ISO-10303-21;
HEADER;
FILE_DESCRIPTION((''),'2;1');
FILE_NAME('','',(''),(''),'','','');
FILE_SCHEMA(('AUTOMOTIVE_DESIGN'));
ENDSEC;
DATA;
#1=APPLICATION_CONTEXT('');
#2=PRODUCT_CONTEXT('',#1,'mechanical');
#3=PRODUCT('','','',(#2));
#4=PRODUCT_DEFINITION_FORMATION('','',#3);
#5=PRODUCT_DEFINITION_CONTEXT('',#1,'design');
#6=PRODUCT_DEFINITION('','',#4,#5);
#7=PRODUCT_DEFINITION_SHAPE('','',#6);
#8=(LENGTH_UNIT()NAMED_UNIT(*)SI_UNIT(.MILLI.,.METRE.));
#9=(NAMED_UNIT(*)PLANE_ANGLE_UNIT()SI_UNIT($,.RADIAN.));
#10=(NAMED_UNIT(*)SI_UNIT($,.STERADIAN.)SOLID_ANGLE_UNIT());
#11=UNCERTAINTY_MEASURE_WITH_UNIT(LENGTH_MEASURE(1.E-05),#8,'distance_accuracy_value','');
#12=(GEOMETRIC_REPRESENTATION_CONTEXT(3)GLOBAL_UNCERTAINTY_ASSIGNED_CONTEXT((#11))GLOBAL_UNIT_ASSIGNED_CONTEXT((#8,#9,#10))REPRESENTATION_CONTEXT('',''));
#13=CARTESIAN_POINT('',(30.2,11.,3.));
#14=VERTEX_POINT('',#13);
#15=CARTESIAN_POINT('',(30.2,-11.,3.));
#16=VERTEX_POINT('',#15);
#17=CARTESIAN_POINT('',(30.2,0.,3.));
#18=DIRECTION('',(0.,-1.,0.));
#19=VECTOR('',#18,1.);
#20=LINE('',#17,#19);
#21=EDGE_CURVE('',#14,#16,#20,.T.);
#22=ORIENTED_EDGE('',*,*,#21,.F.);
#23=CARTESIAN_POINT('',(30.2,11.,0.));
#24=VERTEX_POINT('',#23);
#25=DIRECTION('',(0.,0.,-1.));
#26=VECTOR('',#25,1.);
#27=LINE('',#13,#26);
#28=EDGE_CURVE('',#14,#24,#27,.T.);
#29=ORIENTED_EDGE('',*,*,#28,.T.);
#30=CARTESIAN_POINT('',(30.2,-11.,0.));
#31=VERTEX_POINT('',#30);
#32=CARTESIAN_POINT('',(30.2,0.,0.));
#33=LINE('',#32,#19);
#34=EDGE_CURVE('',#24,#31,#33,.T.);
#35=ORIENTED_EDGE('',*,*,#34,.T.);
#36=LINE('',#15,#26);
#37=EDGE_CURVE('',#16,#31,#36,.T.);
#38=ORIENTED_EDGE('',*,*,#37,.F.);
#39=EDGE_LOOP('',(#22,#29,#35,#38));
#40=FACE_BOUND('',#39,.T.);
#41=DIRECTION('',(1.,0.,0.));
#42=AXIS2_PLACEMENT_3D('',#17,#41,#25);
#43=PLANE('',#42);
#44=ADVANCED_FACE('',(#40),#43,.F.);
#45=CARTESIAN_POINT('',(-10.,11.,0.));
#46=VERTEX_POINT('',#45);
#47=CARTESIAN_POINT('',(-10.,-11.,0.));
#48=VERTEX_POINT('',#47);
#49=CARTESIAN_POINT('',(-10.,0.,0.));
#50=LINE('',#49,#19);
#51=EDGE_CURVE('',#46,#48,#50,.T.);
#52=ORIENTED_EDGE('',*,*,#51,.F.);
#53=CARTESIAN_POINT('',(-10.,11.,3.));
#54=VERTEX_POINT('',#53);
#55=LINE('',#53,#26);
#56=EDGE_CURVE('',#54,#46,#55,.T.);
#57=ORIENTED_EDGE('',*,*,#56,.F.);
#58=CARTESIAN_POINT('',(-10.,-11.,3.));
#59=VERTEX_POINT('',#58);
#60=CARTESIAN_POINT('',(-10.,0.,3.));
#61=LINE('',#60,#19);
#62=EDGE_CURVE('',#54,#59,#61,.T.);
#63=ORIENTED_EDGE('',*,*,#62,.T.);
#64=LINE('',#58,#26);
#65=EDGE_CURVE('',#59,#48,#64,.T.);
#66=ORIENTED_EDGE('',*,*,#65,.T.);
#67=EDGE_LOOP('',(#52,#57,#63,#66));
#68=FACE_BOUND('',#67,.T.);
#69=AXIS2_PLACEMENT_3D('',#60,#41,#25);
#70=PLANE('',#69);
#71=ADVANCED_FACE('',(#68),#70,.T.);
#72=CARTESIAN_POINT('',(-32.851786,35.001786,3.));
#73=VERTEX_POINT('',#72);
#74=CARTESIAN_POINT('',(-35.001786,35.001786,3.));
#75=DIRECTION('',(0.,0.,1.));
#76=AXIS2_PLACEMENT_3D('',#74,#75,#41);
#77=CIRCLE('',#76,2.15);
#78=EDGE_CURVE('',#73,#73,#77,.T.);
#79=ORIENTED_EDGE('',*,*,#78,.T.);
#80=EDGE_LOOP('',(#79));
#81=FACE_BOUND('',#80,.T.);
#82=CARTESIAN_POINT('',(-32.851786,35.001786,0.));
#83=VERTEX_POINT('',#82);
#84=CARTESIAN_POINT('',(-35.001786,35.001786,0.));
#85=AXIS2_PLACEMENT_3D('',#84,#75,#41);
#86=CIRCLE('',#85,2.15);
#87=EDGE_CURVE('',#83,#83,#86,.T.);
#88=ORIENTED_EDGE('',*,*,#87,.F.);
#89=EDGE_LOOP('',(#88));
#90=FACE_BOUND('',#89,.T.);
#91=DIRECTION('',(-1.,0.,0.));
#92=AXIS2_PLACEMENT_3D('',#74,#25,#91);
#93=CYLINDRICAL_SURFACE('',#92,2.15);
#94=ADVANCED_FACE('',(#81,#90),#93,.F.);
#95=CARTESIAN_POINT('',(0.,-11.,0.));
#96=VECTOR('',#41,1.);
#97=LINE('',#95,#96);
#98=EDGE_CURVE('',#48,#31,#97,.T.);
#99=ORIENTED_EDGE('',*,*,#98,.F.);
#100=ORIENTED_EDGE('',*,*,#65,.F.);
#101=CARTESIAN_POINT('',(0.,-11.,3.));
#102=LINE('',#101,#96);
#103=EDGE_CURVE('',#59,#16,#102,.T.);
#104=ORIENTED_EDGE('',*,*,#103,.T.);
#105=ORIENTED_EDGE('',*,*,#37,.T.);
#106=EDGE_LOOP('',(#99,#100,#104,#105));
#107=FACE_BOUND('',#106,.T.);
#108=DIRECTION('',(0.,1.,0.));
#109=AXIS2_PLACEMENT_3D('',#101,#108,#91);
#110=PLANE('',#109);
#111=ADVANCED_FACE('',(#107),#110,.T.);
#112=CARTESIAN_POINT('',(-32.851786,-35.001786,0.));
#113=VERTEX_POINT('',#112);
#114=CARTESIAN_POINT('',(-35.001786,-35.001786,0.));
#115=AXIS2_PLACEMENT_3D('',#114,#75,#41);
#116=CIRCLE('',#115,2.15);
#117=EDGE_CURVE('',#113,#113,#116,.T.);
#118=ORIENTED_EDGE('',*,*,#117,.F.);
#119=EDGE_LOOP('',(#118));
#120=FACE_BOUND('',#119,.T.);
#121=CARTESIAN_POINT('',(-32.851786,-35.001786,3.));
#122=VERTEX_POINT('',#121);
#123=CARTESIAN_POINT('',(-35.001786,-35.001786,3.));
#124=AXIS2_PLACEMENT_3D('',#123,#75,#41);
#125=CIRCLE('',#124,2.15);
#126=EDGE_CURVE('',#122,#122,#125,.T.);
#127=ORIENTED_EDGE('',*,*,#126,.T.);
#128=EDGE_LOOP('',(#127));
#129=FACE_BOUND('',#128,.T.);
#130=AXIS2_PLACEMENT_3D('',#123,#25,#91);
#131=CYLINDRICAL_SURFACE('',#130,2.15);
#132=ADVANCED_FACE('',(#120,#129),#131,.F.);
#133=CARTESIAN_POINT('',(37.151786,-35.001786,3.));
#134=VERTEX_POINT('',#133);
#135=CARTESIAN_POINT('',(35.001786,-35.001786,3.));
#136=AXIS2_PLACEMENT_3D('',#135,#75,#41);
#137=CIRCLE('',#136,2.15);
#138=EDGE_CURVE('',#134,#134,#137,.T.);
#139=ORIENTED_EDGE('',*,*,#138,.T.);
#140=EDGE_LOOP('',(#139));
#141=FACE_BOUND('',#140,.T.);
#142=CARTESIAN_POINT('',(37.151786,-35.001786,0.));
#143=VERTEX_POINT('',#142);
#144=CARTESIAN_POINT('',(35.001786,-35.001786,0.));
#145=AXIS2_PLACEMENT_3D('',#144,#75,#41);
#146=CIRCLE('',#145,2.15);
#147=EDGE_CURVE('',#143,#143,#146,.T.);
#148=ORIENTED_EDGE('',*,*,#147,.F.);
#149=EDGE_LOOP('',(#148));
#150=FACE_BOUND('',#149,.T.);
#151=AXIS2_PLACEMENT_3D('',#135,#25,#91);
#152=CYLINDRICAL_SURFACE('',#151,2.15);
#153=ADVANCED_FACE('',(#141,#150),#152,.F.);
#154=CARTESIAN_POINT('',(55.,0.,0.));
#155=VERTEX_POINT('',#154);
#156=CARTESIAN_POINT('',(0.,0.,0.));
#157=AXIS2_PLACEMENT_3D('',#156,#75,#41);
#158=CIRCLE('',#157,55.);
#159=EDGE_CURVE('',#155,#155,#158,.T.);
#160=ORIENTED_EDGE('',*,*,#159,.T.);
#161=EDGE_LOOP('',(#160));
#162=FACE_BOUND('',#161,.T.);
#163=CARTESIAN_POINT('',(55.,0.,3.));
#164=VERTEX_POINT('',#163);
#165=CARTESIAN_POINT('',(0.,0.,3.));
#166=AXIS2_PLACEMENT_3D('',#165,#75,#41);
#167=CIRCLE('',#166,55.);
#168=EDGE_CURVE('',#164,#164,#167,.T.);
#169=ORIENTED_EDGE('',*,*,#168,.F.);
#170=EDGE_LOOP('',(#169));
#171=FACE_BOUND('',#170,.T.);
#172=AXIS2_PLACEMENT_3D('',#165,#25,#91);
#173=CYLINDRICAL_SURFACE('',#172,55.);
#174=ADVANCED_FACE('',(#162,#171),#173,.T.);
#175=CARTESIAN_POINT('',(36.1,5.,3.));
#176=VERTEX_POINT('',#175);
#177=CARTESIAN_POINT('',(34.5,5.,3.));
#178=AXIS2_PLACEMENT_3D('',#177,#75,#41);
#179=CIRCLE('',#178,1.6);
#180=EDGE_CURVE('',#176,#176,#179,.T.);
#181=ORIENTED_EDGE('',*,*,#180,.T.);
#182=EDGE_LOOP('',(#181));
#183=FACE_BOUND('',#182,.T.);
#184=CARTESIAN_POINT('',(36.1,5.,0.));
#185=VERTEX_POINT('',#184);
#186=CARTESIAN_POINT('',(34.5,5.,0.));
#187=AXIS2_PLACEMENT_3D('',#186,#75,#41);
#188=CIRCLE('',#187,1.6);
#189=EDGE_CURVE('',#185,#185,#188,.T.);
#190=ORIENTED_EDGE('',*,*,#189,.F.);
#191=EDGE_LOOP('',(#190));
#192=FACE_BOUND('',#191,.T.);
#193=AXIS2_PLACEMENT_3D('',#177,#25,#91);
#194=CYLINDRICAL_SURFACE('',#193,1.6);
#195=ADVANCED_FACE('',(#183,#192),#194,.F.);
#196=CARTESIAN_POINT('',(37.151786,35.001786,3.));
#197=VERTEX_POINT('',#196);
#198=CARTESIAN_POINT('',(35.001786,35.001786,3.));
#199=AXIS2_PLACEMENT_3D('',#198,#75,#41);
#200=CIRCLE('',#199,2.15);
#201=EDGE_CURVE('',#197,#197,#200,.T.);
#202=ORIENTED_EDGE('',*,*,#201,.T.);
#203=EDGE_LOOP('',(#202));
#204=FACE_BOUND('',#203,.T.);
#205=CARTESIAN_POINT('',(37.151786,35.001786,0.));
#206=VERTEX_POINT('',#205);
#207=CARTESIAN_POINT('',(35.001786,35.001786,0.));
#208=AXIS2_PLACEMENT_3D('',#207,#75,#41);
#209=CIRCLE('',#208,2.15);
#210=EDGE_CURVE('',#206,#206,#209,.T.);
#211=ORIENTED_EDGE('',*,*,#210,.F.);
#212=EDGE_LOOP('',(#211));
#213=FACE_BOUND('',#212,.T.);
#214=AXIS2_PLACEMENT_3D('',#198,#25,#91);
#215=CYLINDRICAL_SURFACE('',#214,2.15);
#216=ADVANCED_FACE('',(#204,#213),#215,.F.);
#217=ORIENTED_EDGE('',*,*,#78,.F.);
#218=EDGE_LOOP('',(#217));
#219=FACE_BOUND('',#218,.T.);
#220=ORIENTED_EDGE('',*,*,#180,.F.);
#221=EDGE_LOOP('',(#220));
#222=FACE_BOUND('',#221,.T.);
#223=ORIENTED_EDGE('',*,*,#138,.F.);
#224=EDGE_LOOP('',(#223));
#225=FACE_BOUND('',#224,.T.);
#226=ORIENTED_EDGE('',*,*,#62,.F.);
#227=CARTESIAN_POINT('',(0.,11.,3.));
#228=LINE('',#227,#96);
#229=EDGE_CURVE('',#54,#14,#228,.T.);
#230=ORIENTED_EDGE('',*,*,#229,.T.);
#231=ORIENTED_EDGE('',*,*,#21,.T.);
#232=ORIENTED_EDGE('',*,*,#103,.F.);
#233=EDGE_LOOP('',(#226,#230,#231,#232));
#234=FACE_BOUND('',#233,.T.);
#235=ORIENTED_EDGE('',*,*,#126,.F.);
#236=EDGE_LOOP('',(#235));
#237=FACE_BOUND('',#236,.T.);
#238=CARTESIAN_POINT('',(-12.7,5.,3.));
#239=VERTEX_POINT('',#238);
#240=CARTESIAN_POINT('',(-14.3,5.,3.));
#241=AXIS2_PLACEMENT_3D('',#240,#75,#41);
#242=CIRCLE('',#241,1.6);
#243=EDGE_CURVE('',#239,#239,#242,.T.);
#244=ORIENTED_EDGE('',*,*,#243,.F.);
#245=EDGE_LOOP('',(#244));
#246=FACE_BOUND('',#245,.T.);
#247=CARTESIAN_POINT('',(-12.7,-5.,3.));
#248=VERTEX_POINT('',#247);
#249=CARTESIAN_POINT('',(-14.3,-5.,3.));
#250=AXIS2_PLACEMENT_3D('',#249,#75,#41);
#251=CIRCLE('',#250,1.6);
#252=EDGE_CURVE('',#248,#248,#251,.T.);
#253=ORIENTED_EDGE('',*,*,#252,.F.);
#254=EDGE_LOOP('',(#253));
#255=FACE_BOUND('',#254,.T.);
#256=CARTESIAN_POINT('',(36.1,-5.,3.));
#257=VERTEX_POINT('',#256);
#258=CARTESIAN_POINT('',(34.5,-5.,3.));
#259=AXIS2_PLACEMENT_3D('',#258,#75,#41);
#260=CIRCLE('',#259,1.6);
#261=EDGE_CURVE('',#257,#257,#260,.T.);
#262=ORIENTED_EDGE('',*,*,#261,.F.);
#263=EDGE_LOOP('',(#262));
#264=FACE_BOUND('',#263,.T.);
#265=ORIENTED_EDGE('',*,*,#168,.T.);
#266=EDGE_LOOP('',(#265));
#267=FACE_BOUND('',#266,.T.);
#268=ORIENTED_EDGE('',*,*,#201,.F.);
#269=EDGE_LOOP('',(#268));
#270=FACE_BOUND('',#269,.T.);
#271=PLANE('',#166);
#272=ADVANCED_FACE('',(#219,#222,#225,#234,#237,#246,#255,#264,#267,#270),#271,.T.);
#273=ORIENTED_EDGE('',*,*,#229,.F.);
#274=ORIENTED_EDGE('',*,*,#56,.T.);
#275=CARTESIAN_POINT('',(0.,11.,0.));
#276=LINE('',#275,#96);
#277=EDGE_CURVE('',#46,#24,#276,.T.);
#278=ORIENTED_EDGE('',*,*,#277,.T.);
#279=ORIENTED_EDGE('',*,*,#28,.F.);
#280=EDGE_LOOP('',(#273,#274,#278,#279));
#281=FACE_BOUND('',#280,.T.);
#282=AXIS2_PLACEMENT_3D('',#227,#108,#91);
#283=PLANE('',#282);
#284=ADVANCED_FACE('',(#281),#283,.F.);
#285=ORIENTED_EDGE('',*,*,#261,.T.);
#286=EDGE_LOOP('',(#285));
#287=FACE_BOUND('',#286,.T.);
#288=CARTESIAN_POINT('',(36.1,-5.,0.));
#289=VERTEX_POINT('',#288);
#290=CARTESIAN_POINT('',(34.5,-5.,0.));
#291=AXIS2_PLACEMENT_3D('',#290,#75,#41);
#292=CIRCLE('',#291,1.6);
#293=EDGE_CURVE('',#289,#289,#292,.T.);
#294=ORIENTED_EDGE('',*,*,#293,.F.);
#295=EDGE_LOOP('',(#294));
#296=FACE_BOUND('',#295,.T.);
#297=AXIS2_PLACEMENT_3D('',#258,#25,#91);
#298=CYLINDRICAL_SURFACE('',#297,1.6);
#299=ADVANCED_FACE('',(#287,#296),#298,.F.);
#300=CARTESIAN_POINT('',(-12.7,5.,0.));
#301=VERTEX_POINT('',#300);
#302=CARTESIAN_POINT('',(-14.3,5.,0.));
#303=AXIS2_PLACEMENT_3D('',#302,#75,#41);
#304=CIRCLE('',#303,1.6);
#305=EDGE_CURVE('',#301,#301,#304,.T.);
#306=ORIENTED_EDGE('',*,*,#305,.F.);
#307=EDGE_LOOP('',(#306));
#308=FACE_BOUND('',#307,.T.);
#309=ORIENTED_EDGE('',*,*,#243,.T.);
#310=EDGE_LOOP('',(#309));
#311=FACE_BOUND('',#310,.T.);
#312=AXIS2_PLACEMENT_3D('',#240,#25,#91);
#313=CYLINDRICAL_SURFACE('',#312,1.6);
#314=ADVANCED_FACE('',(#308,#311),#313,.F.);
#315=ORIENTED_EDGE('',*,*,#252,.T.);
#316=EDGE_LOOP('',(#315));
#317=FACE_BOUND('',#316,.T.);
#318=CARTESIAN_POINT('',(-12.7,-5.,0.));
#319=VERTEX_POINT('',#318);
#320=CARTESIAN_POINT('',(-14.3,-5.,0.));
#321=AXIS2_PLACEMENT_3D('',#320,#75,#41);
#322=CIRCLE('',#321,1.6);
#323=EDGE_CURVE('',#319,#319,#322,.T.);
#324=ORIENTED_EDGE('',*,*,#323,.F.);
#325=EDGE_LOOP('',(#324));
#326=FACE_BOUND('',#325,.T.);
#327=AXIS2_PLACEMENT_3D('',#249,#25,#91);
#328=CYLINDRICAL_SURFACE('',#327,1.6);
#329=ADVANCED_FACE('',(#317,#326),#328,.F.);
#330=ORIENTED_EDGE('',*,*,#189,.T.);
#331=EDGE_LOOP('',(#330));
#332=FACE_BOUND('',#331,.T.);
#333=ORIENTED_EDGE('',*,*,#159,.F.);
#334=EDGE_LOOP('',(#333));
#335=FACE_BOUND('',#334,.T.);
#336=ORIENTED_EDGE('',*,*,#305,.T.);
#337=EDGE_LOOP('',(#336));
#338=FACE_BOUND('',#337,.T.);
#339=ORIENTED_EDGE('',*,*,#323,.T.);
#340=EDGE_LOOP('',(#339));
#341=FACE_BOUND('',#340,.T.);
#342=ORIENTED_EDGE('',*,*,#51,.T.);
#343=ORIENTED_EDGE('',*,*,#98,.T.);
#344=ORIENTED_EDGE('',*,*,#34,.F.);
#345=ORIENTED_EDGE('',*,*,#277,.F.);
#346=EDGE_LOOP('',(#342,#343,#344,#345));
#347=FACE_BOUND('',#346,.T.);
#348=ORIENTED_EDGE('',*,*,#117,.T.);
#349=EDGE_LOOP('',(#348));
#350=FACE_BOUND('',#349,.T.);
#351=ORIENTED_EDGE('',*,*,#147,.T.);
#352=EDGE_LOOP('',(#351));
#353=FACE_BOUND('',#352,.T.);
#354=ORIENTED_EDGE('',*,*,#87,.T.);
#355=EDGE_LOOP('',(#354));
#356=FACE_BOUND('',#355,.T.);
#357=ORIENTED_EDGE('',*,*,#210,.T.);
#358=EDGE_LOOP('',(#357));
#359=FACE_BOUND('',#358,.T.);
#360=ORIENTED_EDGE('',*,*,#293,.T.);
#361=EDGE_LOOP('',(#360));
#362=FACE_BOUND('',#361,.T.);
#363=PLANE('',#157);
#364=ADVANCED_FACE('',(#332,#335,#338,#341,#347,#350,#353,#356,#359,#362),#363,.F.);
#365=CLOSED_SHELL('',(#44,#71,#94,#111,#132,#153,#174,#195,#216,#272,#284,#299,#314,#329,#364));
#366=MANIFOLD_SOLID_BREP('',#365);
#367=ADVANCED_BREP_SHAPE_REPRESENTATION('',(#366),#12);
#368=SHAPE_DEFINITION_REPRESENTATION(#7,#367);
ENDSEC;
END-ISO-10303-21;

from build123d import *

# Parameters (mm, degrees)
SKETCH_1_R      = 55
SKETCH_1_R_2    = 2.15
SKETCH_1_R_3    = 1.6
SKETCH_1_W      = 40.2
SKETCH_1_H      = 22
EXTRUDE_2_DEPTH = 3


with BuildPart() as part:
    # 草图1 → 凸台-拉伸2 (new body)
    with BuildSketch(Plane.XY):
        Circle(SKETCH_1_R)
        with Locations((-35.001785669, 35.001785669)):
            Circle(SKETCH_1_R_2, mode=Mode.SUBTRACT)
        with Locations((35.001785669, 35.001785669)):
            Circle(SKETCH_1_R_2, mode=Mode.SUBTRACT)
        with Locations((35.001785669, -35.001785669)):
            Circle(SKETCH_1_R_2, mode=Mode.SUBTRACT)
        with Locations((-35.001785669, -35.001785669)):
            Circle(SKETCH_1_R_2, mode=Mode.SUBTRACT)
        with Locations((-14.3, 5)):
            Circle(SKETCH_1_R_3, mode=Mode.SUBTRACT)
        with Locations((-14.3, -5)):
            Circle(SKETCH_1_R_3, mode=Mode.SUBTRACT)
        with Locations((34.5, 5)):
            Circle(SKETCH_1_R_3, mode=Mode.SUBTRACT)
        with Locations((34.5, -5)):
            Circle(SKETCH_1_R_3, mode=Mode.SUBTRACT)
        with Locations((10.1, 0)):
            Rectangle(SKETCH_1_W, SKETCH_1_H, mode=Mode.SUBTRACT)
    extrude(amount=EXTRUDE_2_DEPTH)


solid = part.part
